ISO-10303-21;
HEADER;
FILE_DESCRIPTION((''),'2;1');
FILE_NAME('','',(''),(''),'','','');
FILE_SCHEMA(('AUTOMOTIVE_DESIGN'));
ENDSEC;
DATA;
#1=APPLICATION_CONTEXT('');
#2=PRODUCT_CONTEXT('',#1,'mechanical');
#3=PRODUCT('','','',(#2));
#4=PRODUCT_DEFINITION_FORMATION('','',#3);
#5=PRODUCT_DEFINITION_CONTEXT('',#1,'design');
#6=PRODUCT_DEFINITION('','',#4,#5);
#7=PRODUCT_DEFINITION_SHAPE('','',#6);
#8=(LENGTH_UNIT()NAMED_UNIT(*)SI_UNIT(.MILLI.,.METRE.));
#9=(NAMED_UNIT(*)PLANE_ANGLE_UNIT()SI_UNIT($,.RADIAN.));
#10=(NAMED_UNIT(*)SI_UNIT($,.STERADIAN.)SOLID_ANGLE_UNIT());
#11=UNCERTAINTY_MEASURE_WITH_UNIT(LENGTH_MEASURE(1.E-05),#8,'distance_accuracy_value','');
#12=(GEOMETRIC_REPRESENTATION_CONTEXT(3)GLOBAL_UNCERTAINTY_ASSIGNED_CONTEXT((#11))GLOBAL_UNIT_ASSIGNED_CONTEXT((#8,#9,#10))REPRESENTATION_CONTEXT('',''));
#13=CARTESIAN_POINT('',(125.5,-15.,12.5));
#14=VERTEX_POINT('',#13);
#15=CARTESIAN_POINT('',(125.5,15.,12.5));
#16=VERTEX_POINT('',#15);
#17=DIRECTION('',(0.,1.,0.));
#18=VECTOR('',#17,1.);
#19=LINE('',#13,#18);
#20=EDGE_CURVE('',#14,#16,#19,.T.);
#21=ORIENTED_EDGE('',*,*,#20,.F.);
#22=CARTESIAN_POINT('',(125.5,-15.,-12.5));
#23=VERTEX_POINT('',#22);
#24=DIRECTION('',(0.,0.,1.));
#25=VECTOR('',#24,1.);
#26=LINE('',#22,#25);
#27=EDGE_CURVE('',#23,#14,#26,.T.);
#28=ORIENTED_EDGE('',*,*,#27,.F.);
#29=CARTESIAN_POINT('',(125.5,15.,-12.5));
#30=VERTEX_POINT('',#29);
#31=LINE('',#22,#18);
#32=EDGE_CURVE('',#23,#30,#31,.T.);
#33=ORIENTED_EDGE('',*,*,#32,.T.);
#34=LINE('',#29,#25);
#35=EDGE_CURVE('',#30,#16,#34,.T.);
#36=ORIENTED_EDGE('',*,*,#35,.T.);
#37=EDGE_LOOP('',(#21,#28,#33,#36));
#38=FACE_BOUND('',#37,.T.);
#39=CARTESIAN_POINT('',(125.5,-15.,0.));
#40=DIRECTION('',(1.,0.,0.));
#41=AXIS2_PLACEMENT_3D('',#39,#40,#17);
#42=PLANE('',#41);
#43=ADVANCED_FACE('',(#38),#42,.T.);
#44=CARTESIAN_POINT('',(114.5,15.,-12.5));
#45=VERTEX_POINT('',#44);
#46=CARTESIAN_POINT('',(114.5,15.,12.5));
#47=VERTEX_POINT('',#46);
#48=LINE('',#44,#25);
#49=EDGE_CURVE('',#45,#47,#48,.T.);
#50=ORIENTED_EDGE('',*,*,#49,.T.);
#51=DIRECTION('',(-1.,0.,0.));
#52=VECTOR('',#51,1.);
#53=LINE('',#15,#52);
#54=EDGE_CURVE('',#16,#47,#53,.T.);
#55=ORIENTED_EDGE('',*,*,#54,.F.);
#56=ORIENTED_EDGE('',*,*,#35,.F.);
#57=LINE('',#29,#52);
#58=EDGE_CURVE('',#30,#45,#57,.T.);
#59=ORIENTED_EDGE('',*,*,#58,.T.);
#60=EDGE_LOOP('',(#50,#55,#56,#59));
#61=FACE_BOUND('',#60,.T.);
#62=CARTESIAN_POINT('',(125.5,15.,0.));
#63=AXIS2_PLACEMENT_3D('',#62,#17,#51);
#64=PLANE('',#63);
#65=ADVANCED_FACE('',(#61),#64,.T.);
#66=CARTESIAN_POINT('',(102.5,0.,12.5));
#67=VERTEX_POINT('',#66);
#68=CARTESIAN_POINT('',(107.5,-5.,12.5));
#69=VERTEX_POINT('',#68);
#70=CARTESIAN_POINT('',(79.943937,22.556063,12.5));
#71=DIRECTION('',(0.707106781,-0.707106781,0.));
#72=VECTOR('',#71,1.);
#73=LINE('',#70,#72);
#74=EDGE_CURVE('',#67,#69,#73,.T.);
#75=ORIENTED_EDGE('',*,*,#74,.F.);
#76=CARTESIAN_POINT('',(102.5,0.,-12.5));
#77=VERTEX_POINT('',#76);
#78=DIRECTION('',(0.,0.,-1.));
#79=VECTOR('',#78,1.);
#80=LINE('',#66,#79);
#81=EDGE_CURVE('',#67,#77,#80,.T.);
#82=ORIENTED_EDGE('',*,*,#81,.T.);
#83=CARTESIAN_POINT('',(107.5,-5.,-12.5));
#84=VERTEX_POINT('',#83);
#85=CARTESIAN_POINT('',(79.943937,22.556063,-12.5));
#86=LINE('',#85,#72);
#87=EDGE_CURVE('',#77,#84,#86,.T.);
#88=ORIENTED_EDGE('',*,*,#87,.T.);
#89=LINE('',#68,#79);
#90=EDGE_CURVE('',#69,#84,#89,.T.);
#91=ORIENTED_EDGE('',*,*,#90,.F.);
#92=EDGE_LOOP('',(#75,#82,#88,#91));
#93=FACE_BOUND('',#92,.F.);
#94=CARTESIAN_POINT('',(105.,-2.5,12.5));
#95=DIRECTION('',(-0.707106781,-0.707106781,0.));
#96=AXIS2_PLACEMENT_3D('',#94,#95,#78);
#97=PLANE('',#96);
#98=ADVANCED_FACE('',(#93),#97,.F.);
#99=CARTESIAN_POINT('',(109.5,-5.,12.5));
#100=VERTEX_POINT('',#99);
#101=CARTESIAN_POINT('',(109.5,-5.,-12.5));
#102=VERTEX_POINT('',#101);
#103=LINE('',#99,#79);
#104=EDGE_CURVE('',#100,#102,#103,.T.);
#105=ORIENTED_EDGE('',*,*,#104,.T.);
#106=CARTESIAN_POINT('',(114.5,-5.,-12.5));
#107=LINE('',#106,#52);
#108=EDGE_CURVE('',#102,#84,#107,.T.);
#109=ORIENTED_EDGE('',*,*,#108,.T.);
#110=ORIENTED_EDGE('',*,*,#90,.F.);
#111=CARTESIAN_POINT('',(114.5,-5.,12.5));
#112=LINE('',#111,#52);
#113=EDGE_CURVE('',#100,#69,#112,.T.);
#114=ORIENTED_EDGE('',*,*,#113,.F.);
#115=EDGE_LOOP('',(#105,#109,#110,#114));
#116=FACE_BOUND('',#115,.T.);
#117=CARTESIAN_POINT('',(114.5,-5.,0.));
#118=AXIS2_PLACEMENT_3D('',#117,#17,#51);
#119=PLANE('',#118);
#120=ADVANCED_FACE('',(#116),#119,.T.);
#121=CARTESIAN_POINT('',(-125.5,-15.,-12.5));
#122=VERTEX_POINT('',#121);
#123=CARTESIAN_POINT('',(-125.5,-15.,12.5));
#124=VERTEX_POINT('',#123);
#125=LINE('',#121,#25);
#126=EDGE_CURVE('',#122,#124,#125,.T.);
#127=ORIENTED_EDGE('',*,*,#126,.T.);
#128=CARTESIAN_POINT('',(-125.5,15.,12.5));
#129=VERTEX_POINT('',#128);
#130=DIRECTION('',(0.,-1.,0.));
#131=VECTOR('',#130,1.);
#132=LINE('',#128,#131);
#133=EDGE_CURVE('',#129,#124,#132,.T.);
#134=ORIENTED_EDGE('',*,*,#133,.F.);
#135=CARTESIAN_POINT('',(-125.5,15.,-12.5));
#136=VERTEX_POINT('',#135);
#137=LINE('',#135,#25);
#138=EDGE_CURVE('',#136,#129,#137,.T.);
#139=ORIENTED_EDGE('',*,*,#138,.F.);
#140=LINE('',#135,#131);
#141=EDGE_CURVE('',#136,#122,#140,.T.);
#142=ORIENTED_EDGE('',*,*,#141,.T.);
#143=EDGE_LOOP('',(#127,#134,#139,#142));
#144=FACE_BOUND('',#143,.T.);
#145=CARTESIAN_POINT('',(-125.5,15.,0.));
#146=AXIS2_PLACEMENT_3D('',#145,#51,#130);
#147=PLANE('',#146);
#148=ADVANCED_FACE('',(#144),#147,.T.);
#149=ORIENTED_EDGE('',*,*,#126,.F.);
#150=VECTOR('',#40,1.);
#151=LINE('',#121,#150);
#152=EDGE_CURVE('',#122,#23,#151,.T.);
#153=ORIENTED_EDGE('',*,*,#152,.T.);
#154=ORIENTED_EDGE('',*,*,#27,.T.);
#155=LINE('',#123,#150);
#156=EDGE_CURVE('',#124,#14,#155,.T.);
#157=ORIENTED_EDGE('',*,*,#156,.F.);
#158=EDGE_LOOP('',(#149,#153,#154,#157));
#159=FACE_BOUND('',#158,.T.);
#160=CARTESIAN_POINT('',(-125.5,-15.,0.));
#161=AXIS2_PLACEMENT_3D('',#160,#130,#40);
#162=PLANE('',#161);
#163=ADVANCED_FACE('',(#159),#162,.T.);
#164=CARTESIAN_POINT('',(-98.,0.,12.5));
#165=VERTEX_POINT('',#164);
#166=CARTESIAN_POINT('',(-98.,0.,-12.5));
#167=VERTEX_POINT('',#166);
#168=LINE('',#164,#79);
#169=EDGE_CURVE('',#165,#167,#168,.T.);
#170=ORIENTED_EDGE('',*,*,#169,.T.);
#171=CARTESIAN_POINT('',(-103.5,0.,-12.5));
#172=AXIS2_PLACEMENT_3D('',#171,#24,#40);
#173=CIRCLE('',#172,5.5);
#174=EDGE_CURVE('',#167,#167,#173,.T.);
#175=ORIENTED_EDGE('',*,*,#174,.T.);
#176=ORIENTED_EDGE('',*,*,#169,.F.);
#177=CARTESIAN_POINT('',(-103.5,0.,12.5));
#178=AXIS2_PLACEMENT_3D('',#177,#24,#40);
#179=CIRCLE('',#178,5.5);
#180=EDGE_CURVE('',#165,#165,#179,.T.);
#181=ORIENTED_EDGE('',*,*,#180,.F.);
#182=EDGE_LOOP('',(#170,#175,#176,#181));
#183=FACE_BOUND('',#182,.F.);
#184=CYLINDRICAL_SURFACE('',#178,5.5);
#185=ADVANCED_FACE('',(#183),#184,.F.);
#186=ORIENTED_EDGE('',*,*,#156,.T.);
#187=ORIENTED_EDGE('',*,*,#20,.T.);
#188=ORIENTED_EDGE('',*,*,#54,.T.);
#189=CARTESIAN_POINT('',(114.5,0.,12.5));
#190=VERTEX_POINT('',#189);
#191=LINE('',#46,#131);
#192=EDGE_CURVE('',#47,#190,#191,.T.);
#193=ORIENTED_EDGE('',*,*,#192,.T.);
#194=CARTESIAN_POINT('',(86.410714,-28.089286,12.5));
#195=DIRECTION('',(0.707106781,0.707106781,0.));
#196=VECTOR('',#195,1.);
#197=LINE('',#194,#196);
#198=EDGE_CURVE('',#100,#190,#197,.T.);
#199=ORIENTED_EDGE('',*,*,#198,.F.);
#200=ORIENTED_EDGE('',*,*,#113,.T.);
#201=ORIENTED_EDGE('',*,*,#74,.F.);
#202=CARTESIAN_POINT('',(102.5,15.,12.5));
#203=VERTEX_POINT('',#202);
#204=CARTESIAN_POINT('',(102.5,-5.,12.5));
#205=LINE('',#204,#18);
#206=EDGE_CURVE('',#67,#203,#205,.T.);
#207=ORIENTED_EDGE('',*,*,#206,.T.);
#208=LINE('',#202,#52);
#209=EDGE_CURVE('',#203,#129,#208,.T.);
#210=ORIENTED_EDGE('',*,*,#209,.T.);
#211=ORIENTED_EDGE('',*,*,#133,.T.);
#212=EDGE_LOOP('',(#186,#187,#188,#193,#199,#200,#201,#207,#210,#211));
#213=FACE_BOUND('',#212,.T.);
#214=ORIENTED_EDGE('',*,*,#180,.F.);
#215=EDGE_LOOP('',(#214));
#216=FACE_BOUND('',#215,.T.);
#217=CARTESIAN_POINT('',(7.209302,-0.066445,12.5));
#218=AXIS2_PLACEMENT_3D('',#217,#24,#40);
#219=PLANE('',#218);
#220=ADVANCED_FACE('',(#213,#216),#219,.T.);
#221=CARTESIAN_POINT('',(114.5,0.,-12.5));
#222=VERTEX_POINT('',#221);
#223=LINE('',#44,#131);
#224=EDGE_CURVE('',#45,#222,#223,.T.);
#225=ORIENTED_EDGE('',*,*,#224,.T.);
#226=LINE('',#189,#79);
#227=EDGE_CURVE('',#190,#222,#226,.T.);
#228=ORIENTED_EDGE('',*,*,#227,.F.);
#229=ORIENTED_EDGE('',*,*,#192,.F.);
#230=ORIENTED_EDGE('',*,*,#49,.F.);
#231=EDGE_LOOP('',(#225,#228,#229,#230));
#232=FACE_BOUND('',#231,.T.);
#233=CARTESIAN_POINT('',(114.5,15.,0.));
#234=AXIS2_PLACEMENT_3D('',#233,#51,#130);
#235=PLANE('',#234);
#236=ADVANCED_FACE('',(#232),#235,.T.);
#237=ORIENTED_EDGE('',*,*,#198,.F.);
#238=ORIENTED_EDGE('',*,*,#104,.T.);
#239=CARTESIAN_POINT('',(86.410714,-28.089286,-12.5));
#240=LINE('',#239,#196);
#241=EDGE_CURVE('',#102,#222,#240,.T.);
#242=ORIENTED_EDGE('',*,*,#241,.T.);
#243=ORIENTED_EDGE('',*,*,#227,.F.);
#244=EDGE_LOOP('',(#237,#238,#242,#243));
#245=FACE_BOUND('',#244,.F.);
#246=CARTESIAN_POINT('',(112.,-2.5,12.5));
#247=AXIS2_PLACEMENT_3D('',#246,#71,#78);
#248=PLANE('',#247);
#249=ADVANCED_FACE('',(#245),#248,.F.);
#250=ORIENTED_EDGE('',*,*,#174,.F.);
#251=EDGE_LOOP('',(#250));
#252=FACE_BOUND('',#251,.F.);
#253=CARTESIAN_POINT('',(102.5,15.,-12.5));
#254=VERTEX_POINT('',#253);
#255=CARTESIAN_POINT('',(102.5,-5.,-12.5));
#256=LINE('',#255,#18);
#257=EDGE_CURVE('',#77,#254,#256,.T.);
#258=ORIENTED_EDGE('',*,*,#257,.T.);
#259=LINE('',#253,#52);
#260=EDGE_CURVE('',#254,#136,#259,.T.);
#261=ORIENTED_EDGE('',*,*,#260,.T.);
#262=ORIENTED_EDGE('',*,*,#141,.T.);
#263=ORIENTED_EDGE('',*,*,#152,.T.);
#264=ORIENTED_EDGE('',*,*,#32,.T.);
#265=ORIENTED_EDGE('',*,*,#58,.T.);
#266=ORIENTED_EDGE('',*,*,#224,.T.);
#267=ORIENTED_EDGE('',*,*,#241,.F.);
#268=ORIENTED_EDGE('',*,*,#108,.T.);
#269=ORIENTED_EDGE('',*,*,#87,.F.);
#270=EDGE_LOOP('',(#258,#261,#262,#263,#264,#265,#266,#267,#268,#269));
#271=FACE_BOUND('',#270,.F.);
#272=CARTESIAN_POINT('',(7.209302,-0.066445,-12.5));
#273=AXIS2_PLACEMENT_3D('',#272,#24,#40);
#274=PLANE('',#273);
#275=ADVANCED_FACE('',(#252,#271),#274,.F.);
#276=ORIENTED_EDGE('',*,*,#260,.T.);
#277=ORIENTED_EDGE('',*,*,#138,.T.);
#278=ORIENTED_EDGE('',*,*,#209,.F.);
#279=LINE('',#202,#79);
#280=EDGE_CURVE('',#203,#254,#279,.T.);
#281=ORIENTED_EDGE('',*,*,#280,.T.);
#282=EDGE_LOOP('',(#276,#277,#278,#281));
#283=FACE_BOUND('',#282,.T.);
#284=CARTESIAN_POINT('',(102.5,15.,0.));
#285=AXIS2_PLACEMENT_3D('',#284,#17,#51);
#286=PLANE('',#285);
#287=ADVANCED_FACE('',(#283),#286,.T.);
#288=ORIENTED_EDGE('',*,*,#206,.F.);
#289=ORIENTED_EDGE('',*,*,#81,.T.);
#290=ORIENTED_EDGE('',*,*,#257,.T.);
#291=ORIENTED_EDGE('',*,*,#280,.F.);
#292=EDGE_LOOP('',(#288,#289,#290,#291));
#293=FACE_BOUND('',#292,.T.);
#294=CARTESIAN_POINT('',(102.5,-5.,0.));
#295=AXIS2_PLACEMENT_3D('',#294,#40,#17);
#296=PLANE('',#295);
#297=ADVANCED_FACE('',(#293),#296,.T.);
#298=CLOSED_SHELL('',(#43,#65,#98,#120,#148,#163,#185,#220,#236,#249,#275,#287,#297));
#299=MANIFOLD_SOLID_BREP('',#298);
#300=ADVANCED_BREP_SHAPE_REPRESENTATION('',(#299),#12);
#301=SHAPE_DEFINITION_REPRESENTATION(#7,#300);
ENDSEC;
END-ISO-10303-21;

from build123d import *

# Parameters (mm, degrees)
F1_DEPTH = 12.5
F2_R     = 5.5
F3_DEPTH = 25.001
F4_SIZE  = 5


with BuildPart() as f1:
    # F0 (on Top) → F1 (new body, symmetric)
    with BuildSketch(Plane.XY):
        Polygon((102.5, 15), (-125.5, 15), (-125.5, -15), (125.5, -15), (125.5, 15), (114.5, 15), (114.5, -5), (102.5, -5), align=None)
    extrude(amount=F1_DEPTH, both=True)

    # F2 (on face) → F3 (cut, through all)
    with BuildSketch(Plane.XY.offset(12.5)):
        with Locations((-103.5, 0)):
            Circle(F2_R)
    extrude(amount=-F3_DEPTH, mode=Mode.SUBTRACT)

    # F4
    f4_edges = [f1.edges().sort_by_distance(p)[0] for p in [
        (102.5, -5, 0),
        (114.5, -5, 0),
    ]]
    chamfer(f4_edges, length=F4_SIZE)


solid = f1.part
